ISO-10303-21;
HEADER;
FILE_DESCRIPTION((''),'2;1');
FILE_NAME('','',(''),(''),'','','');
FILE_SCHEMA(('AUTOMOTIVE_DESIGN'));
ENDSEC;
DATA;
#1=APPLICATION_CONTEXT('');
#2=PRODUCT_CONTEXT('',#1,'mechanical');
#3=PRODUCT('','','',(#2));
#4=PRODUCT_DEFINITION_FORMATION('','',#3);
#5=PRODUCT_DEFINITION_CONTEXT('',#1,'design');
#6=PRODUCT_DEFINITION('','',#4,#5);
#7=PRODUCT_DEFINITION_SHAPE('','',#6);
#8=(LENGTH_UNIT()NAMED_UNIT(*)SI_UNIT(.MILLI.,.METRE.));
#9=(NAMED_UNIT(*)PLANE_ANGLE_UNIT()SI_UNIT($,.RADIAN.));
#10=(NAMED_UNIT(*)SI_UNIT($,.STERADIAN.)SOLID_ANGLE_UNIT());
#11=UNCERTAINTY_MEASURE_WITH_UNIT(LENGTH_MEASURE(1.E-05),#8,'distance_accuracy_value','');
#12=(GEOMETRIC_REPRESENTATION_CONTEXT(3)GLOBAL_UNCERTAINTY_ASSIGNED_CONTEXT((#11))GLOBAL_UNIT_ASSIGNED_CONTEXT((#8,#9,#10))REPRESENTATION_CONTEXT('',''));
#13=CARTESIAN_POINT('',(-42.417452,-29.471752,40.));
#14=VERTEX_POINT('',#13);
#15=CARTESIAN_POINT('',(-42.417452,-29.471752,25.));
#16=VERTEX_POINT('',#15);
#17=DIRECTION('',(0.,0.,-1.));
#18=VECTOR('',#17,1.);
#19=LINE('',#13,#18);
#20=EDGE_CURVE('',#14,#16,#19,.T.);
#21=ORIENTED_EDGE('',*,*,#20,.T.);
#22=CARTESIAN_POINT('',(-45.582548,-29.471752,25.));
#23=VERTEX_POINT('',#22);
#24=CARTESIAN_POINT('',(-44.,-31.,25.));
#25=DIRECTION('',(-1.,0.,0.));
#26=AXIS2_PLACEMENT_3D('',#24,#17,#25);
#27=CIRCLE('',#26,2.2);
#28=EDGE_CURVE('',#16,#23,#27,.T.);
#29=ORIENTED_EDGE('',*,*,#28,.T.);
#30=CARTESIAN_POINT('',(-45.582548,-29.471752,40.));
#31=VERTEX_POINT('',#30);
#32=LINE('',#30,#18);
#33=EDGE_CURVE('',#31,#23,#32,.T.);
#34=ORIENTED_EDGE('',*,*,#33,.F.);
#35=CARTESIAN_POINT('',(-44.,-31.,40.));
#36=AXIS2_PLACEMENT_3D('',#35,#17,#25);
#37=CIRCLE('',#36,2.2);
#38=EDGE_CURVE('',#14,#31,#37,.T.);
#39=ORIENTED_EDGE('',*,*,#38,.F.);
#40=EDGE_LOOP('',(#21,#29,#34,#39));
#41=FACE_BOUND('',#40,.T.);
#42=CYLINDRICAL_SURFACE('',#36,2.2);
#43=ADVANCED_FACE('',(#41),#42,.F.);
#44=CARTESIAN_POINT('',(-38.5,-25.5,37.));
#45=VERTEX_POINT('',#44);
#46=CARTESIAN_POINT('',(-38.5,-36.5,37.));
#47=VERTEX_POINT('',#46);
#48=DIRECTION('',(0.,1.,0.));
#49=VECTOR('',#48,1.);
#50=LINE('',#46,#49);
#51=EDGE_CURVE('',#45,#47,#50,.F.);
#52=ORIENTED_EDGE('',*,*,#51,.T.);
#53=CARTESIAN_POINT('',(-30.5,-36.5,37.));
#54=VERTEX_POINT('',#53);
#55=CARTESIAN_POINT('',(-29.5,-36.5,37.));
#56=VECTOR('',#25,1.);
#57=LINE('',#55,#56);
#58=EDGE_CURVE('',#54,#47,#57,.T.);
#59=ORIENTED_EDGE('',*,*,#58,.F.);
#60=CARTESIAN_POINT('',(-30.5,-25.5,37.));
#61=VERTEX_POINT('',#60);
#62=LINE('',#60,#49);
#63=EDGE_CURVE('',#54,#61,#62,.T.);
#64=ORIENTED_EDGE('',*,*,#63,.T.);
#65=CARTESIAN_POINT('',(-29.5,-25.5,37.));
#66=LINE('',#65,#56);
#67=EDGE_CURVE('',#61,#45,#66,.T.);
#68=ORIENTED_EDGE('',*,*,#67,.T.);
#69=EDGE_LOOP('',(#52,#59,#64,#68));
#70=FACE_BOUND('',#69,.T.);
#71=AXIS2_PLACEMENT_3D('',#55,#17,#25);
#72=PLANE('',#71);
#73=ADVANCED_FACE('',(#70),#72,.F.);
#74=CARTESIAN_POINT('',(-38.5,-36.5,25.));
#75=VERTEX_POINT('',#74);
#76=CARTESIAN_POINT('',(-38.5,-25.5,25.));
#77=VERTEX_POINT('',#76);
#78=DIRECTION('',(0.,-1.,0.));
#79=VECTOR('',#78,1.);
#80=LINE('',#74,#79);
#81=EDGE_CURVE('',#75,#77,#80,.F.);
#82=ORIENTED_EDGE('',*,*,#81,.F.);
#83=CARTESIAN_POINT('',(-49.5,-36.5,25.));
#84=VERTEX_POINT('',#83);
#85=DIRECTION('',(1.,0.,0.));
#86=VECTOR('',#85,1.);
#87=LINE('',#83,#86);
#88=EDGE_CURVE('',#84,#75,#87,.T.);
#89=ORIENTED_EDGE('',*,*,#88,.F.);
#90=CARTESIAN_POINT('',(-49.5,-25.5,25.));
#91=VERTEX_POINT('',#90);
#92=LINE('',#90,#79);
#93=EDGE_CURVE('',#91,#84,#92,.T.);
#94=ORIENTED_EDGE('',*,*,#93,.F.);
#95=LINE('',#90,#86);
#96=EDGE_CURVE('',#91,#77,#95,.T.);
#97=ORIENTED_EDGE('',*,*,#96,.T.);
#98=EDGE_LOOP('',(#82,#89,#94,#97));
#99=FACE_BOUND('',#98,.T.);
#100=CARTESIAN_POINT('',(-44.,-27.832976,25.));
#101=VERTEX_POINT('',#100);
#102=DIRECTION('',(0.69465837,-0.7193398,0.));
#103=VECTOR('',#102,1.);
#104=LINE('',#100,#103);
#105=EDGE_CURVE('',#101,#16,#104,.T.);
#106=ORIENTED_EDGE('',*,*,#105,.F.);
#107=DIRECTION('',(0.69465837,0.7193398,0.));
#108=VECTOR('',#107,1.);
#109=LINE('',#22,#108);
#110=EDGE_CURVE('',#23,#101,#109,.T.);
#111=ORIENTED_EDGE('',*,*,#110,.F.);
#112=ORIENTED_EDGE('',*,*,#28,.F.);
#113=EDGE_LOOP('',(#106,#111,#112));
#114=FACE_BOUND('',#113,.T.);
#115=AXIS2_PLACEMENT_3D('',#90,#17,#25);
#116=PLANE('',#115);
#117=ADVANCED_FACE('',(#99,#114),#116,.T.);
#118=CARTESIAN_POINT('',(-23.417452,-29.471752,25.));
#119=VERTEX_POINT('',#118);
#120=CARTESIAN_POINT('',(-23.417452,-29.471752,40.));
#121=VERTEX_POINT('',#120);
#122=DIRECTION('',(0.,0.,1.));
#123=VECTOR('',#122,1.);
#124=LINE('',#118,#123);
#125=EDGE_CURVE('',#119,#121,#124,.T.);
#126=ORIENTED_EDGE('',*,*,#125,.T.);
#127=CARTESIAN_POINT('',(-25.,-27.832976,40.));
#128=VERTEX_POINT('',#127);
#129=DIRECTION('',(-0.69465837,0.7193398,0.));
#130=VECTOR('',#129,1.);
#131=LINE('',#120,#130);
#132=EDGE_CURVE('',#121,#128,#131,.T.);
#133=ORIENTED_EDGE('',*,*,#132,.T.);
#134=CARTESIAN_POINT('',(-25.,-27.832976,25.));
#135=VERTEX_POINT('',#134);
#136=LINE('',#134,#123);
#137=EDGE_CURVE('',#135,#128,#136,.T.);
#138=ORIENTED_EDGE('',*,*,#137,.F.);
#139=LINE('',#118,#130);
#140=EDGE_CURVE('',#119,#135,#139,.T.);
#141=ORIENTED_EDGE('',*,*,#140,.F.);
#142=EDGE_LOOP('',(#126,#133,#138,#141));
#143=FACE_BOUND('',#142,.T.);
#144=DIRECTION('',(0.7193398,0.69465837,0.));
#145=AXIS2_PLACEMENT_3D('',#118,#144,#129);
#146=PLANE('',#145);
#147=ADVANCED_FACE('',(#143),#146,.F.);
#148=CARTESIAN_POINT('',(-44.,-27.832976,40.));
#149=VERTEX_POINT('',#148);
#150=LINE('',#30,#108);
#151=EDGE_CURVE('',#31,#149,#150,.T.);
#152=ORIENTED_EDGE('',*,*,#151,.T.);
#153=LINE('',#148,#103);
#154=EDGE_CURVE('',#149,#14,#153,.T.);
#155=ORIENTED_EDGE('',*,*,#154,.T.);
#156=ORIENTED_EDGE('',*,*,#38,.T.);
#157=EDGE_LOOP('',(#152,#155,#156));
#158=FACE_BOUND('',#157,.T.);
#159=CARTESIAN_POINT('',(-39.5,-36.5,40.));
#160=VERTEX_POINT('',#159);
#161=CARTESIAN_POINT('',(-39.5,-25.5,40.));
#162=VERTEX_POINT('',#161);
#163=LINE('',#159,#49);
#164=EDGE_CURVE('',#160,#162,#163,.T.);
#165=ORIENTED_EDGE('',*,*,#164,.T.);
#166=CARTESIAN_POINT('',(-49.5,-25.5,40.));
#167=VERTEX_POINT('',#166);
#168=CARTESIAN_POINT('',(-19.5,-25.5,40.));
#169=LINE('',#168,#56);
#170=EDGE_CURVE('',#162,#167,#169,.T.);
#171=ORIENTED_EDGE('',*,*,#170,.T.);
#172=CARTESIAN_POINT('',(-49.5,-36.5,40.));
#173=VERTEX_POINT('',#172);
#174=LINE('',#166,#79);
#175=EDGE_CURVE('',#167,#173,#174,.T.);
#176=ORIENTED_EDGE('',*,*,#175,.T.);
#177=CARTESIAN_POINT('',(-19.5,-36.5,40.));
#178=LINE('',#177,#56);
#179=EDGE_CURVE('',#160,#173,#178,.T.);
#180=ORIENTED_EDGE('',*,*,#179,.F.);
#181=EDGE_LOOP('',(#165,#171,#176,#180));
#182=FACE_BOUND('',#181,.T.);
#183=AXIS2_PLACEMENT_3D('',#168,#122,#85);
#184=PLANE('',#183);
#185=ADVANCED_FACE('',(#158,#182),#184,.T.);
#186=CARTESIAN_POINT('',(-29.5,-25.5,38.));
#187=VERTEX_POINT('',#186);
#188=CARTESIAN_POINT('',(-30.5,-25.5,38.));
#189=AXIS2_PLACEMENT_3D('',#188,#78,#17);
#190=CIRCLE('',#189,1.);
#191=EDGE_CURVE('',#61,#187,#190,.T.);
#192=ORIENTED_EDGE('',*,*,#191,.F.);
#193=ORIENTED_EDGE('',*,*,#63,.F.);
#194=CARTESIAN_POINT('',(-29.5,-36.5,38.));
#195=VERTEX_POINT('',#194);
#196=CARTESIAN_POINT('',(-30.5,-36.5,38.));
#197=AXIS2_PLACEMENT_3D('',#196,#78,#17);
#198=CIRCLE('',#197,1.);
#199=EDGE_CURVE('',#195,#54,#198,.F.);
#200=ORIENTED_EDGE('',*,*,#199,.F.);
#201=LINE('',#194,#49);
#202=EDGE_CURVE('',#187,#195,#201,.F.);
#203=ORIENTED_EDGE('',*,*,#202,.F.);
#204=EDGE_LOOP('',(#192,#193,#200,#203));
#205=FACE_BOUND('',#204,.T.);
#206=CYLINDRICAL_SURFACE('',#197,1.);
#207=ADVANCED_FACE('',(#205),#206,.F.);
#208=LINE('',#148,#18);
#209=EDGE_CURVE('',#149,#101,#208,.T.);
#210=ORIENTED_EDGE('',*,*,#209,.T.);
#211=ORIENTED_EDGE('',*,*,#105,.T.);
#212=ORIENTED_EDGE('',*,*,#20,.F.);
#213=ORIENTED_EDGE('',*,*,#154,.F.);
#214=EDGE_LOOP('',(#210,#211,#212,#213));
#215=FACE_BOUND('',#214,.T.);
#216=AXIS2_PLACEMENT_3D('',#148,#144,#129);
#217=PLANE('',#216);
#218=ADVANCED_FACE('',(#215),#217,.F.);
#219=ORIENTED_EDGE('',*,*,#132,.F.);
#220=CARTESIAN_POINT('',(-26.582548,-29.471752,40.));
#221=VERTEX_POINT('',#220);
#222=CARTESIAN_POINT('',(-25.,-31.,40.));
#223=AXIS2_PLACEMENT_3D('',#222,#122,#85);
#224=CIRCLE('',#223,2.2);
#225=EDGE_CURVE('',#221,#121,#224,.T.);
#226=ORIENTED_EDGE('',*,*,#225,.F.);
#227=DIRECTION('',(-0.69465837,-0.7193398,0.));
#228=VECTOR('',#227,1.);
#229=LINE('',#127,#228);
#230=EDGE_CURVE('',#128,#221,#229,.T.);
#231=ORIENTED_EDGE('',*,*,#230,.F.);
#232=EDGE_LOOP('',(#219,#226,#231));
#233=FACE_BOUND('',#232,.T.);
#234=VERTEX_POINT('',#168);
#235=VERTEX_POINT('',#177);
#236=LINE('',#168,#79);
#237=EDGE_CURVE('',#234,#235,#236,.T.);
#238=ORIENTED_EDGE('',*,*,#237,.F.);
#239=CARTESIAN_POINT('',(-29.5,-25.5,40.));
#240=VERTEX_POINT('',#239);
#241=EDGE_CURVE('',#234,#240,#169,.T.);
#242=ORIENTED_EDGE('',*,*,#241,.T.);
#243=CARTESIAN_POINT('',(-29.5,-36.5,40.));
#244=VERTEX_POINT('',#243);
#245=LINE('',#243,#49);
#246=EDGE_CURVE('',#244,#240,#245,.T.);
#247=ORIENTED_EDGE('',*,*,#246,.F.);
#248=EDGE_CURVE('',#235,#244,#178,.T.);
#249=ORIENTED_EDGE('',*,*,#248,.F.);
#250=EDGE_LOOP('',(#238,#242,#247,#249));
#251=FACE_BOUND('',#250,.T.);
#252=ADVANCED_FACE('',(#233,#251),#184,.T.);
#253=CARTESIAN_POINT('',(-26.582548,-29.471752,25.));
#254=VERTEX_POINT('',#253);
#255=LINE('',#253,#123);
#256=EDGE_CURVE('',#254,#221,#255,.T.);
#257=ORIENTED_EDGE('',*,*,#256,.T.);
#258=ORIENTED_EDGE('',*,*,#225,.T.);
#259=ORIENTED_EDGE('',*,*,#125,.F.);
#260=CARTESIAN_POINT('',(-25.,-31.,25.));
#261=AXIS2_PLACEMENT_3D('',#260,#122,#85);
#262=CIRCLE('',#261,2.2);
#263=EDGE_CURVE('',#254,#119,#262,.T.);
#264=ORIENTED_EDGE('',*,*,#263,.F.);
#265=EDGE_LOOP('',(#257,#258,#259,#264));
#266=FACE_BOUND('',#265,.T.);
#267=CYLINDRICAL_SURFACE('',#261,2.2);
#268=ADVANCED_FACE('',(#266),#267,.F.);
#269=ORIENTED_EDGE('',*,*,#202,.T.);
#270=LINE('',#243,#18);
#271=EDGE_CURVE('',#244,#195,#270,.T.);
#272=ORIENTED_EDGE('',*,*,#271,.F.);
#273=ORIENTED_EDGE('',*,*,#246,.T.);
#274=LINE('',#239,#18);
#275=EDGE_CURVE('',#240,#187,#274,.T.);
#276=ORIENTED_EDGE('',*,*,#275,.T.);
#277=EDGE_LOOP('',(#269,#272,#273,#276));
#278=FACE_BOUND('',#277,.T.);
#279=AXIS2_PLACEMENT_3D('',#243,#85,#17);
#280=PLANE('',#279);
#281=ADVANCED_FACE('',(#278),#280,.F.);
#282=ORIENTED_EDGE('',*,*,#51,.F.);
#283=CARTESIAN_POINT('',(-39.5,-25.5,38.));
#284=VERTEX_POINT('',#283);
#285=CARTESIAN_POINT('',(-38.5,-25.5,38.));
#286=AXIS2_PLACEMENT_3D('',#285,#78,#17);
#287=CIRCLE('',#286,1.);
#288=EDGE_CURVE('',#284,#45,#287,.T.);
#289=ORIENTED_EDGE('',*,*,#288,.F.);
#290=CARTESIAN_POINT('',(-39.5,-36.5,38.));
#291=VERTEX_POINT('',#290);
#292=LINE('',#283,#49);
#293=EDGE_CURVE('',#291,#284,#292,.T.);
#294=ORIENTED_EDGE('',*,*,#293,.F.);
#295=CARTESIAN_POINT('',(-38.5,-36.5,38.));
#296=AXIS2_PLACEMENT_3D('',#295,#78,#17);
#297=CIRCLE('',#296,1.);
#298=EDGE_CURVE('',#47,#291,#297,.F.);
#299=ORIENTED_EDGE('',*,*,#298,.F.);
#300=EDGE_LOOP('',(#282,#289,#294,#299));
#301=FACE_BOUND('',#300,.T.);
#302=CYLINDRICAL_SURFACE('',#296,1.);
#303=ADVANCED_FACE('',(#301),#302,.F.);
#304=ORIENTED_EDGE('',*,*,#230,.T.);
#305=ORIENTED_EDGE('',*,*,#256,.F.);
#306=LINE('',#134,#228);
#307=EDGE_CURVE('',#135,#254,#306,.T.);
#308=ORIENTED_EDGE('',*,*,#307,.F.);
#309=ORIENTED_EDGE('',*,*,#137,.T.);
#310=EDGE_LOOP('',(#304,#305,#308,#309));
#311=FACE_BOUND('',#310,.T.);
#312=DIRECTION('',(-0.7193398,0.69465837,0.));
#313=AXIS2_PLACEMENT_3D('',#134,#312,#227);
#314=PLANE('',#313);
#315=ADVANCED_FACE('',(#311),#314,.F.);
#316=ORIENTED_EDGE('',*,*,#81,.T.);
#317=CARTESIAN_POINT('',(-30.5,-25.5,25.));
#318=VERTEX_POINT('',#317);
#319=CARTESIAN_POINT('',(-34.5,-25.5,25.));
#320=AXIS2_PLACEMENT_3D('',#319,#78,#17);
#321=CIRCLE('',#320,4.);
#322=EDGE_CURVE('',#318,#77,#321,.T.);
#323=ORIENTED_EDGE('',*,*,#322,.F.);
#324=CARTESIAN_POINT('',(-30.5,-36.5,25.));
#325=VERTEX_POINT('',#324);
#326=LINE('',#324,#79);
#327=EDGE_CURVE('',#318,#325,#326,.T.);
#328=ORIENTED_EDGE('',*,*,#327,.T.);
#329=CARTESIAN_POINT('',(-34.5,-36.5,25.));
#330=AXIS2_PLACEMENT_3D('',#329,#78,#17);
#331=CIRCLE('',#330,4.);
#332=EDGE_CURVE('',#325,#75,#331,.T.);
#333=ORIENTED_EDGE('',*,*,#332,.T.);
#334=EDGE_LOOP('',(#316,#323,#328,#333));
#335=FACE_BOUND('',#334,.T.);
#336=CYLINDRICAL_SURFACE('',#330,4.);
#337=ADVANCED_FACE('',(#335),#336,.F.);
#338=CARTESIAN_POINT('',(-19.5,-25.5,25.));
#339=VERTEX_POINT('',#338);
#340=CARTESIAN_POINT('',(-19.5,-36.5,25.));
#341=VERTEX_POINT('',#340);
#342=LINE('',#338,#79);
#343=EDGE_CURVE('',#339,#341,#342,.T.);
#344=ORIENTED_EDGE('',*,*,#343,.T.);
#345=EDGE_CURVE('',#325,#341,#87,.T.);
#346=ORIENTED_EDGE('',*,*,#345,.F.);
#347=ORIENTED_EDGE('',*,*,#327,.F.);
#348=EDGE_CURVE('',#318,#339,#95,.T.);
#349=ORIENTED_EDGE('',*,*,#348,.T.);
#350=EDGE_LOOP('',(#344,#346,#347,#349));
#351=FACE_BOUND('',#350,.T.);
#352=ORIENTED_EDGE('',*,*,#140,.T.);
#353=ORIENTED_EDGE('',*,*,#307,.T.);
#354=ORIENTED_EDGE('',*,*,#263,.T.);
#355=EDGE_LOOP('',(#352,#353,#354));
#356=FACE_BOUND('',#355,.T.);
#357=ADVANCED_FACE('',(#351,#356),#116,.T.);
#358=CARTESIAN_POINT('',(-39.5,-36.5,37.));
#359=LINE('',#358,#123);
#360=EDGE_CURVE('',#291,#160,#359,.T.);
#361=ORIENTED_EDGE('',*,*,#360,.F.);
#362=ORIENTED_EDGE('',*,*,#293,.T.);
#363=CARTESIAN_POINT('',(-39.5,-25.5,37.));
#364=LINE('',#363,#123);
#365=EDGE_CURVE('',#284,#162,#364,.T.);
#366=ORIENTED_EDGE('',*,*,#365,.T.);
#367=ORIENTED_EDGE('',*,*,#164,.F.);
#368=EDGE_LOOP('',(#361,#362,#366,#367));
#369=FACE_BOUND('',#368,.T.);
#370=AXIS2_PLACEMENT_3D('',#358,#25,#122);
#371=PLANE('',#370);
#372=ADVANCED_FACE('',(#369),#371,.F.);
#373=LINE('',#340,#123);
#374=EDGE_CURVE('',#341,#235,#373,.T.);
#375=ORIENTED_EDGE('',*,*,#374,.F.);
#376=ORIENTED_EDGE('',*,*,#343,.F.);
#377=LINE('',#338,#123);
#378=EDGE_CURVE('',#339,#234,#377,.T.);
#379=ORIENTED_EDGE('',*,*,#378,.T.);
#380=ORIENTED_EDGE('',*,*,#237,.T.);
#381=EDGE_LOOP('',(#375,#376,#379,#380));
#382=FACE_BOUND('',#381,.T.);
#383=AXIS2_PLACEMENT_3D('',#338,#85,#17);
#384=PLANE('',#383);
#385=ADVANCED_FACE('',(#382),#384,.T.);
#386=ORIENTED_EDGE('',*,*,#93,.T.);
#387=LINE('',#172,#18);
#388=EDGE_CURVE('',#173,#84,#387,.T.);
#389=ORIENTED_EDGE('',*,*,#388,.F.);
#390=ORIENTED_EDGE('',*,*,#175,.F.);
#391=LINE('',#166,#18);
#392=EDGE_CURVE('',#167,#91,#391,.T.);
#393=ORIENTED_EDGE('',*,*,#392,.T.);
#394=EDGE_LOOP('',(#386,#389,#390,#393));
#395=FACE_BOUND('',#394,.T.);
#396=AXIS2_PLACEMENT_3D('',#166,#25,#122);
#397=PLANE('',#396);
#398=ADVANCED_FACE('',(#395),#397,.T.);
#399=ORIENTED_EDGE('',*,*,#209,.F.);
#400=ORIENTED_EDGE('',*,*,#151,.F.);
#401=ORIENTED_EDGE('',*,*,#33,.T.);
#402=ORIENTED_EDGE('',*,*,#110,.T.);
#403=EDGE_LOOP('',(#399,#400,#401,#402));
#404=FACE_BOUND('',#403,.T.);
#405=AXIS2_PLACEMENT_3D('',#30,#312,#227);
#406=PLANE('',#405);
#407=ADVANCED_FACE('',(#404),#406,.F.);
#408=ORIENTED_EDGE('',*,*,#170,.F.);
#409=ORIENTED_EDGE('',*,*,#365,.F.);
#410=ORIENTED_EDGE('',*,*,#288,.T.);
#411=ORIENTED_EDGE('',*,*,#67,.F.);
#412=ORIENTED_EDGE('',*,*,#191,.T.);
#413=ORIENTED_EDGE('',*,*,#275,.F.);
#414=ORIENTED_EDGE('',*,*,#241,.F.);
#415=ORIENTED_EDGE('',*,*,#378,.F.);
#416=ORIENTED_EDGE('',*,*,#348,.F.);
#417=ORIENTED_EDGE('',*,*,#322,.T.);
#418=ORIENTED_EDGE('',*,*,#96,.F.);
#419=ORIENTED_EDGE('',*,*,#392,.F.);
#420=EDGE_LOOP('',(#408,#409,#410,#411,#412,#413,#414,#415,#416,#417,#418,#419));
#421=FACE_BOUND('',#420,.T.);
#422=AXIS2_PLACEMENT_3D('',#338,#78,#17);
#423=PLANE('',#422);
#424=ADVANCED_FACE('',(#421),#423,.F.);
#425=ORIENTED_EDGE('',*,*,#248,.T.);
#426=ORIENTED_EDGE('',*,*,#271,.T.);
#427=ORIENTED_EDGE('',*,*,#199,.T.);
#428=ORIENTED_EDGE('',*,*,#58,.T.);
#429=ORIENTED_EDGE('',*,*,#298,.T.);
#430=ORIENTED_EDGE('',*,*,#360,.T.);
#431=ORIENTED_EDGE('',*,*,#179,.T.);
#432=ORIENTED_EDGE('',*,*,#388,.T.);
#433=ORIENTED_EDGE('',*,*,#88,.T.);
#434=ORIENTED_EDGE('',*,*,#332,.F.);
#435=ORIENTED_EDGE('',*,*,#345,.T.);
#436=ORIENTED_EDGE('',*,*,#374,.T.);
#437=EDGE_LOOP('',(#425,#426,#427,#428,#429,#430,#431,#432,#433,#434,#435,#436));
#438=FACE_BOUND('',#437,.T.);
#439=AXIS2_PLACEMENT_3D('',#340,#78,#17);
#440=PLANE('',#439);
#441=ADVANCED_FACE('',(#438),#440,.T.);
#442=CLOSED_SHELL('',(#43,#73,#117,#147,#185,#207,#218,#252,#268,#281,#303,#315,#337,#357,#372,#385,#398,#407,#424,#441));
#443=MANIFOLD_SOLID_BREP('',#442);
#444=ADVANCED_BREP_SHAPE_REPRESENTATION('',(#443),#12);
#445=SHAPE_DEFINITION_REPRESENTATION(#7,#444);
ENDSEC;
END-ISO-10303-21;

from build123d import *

# Parameters (mm, degrees)
SKETCH1_W           = 30
SKETCH1_H           = 15
BOSS_EXTRUDE1_DEPTH = 11
SKETCH2_W           = 10
SKETCH2_H           = 3
CUT_EXTRUDE1_DEPTH  = 65.585215026
CUT_EXTRUDE2_DEPTH  = 64.304818142
CUT_EXTRUDE3_DEPTH  = 64.304818142
HOLE1_D             = 8
FILLET1_R           = 1
FILLET2_R           = 1


with BuildPart() as part:
    # Sketch1 → Boss-Extrude1 (new body)
    with BuildSketch(Plane.XZ.offset(36.5)):
        with Locations((-34.5, 32.5)):
            Rectangle(SKETCH1_W, SKETCH1_H)
    extrude(amount=-BOSS_EXTRUDE1_DEPTH)

    # Sketch2 → Cut-Extrude1 (cut, through all)
    with BuildSketch(Plane(origin=(0, -25.5, 0), x_dir=(-1, 0, 0), z_dir=(0, 1, 0))):
        with Locations((34.5, 38.5)):
            Rectangle(SKETCH2_W, SKETCH2_H)
    extrude(amount=-CUT_EXTRUDE1_DEPTH, mode=Mode.SUBTRACT)

    # Sketch3 → Cut-Extrude2 (cut, through all)
    with BuildSketch(Plane(origin=(0, 0, 25), x_dir=(-1, 0, 0), z_dir=(0, 0, -1))):
        with BuildLine():
            Line((45.582547561, -29.471751585), (44, -27.832975613))
            Line((44, -27.832975613), (42.417452439, -29.471751585))
            ThreePointArc((42.417452439, -29.471751585), (44, -33.2), (45.582547561, -29.471751585))
        make_face()
    extrude(amount=-CUT_EXTRUDE2_DEPTH, mode=Mode.SUBTRACT)

    # Sketch4 → Cut-Extrude3 (cut, through all)
    with BuildSketch(Plane.XY.offset(40)):
        with BuildLine():
            Line((-25, -27.832975613), (-26.582547561, -29.471751585))
            ThreePointArc((-26.582547561, -29.471751585), (-25, -33.2), (-23.417452439, -29.471751585))
            Line((-23.417452439, -29.471751585), (-25, -27.832975613))
        make_face()
    extrude(amount=-CUT_EXTRUDE3_DEPTH, mode=Mode.SUBTRACT)

    # Hole1 (through all)
    with Locations(Plane.XZ.offset(36.5)):
        with Locations((-34.5, 25)):
            Hole(HOLE1_D / 2)

    # Fillet1
    fillet1_edges = [part.edges().sort_by_distance(p)[0] for p in [
        (-39.5, -31, 37),
    ]]
    fillet(fillet1_edges, radius=FILLET1_R)

    # Fillet2
    fillet2_edges = [part.edges().sort_by_distance(p)[0] for p in [
        (-29.5, -31, 37),
    ]]
    fillet(fillet2_edges, radius=FILLET2_R)


solid = part.part
